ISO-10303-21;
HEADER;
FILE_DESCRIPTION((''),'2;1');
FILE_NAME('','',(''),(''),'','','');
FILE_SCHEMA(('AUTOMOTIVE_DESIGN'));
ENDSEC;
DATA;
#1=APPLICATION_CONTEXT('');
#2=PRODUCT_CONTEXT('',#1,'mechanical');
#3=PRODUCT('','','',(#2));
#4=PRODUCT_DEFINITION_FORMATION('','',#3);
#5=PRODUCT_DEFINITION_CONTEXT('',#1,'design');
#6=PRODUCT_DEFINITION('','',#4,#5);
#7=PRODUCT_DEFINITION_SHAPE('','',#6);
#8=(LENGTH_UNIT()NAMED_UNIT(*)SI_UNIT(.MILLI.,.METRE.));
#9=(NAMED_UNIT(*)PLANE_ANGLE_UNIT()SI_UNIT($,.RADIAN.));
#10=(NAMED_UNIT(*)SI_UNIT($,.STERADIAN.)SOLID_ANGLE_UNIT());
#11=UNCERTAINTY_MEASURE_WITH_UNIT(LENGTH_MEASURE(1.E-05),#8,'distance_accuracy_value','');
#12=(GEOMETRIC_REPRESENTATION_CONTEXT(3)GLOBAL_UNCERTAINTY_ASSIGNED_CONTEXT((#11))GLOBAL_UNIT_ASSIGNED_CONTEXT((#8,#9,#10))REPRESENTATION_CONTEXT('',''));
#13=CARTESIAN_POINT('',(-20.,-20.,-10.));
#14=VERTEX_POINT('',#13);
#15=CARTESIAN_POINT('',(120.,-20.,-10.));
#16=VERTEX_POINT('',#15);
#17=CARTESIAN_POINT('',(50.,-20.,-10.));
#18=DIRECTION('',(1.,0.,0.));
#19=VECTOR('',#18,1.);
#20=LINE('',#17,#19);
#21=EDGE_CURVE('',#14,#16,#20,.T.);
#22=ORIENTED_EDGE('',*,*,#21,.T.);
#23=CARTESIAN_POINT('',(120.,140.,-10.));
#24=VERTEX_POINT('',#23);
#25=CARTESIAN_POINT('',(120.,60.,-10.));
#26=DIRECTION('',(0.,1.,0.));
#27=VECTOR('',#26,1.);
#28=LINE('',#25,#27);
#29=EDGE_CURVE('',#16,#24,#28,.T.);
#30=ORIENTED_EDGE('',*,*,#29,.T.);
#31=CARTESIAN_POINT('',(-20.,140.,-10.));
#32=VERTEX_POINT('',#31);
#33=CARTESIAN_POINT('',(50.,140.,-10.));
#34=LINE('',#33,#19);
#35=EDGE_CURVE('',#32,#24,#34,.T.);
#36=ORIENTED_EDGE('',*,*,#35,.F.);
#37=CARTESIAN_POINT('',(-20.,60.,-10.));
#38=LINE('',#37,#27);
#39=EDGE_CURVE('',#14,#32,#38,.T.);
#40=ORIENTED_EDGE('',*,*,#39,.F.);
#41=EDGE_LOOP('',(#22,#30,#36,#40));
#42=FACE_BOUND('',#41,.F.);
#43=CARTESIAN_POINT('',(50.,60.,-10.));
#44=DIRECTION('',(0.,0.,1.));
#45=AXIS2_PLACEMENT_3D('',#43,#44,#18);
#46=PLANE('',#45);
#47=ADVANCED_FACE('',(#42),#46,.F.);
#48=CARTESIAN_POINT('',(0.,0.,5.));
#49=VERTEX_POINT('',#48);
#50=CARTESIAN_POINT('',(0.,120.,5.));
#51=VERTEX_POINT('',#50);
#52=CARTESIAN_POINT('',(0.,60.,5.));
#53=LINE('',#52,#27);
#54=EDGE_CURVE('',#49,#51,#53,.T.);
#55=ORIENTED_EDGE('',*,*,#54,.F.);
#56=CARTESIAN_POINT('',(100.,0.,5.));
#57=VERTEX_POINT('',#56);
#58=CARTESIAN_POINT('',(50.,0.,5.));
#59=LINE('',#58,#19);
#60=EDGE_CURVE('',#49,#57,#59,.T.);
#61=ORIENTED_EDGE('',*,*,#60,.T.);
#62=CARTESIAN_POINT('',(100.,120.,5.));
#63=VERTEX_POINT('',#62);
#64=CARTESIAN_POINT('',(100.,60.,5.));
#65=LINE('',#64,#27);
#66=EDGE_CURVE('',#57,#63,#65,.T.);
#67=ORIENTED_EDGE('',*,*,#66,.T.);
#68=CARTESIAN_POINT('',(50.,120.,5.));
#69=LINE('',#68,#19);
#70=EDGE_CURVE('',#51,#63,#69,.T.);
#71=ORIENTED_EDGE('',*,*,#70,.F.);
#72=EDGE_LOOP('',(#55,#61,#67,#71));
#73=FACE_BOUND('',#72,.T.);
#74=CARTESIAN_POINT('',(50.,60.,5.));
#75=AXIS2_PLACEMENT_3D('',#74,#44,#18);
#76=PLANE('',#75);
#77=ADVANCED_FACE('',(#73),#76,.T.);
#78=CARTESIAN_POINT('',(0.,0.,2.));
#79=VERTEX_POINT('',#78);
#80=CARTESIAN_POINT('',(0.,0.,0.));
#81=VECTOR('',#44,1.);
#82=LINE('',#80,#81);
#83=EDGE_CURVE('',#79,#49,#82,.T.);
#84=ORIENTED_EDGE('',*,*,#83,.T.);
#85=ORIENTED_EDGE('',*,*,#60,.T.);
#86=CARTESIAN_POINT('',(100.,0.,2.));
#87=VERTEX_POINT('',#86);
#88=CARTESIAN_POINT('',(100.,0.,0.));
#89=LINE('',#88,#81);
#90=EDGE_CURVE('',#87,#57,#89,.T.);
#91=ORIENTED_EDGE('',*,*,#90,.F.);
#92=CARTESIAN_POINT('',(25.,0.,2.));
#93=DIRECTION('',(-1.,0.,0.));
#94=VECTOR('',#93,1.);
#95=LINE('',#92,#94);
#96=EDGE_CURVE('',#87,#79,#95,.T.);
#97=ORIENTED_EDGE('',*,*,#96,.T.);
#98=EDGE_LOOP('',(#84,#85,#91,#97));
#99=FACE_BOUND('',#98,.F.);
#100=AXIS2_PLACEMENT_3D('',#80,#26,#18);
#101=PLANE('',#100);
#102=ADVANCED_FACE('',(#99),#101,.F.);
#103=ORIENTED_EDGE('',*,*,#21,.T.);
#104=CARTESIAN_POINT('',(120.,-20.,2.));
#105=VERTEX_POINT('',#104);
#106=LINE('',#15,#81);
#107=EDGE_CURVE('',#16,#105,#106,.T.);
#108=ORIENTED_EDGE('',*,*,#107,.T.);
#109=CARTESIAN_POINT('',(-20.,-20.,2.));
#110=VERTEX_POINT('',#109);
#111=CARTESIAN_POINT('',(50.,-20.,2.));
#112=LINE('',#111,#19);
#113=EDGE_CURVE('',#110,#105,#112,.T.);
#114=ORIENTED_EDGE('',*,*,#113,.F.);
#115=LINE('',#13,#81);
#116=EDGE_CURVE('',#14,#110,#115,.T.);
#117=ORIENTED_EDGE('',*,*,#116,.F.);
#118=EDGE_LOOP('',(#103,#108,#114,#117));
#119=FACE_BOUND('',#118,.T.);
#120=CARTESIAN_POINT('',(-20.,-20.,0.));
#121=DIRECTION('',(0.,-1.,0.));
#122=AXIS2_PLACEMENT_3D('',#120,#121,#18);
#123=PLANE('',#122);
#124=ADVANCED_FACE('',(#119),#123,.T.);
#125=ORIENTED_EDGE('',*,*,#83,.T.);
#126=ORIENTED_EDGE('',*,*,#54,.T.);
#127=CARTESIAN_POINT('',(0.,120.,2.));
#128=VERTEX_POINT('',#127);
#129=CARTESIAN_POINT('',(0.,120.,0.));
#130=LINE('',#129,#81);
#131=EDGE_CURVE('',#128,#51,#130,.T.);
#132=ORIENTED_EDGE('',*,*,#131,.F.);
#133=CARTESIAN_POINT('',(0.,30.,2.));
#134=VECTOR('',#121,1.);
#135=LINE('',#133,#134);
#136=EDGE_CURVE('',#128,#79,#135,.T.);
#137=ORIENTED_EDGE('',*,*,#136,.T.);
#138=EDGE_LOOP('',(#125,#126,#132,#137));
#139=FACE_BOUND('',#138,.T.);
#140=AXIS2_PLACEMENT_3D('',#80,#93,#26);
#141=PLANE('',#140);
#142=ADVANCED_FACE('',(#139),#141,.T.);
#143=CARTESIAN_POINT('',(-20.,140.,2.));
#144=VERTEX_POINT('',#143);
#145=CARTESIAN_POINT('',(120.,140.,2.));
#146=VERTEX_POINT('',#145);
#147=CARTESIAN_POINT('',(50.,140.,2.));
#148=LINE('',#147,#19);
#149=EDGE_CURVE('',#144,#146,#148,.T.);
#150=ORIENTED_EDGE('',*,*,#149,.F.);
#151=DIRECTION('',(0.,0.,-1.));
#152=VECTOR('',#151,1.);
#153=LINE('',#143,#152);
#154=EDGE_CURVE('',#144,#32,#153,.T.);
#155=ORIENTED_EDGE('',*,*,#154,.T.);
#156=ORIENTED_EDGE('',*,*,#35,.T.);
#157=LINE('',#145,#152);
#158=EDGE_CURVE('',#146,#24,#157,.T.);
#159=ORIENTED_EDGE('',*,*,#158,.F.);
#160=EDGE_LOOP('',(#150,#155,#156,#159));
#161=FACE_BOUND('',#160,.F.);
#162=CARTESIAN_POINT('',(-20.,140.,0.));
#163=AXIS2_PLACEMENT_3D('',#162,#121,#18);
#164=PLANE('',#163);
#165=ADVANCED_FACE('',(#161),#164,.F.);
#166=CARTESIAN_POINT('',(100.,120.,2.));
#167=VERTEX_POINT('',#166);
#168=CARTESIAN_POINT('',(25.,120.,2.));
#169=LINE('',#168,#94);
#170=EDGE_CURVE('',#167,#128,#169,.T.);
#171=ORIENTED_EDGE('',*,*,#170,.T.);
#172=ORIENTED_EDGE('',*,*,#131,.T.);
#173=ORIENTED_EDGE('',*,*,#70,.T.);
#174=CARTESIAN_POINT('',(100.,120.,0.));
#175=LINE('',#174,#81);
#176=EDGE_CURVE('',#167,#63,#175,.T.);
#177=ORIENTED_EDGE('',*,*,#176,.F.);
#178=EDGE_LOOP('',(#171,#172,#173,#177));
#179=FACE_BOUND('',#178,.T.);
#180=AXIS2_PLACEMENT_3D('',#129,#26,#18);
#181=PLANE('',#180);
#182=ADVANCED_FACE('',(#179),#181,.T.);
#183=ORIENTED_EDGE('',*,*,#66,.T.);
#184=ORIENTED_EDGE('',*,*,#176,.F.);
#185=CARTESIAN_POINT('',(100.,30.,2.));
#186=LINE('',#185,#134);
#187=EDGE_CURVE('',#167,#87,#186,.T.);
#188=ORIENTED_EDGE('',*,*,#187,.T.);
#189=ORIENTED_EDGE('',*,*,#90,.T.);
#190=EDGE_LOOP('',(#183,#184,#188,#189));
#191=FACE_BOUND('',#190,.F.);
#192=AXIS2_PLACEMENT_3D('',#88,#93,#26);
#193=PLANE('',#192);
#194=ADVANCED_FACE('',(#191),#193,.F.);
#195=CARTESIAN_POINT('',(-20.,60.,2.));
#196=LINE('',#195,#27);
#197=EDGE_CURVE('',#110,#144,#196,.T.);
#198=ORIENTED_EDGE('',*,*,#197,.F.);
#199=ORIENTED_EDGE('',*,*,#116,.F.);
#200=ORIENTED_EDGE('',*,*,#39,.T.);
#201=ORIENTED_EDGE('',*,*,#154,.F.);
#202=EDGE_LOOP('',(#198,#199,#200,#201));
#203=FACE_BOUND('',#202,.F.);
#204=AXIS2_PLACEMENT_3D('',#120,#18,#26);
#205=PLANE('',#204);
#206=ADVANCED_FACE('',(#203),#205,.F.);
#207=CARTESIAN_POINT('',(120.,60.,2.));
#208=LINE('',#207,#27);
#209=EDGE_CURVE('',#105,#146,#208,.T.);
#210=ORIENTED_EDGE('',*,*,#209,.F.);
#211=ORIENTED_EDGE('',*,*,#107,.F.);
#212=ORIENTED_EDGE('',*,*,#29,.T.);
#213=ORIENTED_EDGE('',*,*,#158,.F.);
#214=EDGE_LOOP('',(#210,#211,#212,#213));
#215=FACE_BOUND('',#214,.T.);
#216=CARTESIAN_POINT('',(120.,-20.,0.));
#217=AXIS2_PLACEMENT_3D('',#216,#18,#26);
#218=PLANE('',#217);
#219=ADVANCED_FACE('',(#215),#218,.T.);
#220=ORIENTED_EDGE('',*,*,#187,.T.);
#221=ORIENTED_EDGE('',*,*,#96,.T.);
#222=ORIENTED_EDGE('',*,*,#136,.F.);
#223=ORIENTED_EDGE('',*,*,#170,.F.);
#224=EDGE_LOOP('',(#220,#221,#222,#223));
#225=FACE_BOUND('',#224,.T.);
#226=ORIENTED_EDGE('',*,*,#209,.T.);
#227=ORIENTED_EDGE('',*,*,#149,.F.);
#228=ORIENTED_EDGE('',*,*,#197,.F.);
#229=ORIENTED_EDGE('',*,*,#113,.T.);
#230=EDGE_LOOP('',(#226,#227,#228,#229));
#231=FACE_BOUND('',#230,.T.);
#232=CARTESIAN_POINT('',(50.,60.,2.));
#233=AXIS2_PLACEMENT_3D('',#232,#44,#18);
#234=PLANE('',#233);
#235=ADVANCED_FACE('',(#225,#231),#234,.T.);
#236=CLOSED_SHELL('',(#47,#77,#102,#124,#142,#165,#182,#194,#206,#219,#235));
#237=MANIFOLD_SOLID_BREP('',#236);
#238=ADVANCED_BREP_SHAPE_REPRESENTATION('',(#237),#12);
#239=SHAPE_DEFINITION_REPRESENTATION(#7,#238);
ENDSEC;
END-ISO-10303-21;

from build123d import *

# Parameters (mm, degrees)
F0_W     = 140
F0_H     = 160
F0_W_2   = 100
F0_H_2   = 120
F1_DEPTH = 2
F2_DEPTH = 5
F3_DEPTH = 10


with BuildPart() as f1:
    # F0 (on Top) → F1 (new body)
    with BuildSketch(Plane.XY):
        with Locations((50, 60)):
            Rectangle(F0_W, F0_H)
        with Locations((50, 60)):
            Rectangle(F0_W_2, F0_H_2, mode=Mode.SUBTRACT)
        with Locations((50, 60)):
            Rectangle(F0_W_2, F0_H_2)
    extrude(amount=F1_DEPTH)

    # F0 (on Top) → F2 (join)
    with BuildSketch(Plane.XY):
        with Locations((50, 60)):
            Rectangle(F0_W_2, F0_H_2)
    extrude(amount=F2_DEPTH)

    # F0 (on Top) → F3 (join)
    with BuildSketch(Plane.XY):
        with Locations((50, 60)):
            Rectangle(F0_W, F0_H)
        with Locations((50, 60)):
            Rectangle(F0_W_2, F0_H_2, mode=Mode.SUBTRACT)
        with Locations((50, 60)):
            Rectangle(F0_W_2, F0_H_2)
    extrude(amount=-F3_DEPTH)


solid = f1.part
